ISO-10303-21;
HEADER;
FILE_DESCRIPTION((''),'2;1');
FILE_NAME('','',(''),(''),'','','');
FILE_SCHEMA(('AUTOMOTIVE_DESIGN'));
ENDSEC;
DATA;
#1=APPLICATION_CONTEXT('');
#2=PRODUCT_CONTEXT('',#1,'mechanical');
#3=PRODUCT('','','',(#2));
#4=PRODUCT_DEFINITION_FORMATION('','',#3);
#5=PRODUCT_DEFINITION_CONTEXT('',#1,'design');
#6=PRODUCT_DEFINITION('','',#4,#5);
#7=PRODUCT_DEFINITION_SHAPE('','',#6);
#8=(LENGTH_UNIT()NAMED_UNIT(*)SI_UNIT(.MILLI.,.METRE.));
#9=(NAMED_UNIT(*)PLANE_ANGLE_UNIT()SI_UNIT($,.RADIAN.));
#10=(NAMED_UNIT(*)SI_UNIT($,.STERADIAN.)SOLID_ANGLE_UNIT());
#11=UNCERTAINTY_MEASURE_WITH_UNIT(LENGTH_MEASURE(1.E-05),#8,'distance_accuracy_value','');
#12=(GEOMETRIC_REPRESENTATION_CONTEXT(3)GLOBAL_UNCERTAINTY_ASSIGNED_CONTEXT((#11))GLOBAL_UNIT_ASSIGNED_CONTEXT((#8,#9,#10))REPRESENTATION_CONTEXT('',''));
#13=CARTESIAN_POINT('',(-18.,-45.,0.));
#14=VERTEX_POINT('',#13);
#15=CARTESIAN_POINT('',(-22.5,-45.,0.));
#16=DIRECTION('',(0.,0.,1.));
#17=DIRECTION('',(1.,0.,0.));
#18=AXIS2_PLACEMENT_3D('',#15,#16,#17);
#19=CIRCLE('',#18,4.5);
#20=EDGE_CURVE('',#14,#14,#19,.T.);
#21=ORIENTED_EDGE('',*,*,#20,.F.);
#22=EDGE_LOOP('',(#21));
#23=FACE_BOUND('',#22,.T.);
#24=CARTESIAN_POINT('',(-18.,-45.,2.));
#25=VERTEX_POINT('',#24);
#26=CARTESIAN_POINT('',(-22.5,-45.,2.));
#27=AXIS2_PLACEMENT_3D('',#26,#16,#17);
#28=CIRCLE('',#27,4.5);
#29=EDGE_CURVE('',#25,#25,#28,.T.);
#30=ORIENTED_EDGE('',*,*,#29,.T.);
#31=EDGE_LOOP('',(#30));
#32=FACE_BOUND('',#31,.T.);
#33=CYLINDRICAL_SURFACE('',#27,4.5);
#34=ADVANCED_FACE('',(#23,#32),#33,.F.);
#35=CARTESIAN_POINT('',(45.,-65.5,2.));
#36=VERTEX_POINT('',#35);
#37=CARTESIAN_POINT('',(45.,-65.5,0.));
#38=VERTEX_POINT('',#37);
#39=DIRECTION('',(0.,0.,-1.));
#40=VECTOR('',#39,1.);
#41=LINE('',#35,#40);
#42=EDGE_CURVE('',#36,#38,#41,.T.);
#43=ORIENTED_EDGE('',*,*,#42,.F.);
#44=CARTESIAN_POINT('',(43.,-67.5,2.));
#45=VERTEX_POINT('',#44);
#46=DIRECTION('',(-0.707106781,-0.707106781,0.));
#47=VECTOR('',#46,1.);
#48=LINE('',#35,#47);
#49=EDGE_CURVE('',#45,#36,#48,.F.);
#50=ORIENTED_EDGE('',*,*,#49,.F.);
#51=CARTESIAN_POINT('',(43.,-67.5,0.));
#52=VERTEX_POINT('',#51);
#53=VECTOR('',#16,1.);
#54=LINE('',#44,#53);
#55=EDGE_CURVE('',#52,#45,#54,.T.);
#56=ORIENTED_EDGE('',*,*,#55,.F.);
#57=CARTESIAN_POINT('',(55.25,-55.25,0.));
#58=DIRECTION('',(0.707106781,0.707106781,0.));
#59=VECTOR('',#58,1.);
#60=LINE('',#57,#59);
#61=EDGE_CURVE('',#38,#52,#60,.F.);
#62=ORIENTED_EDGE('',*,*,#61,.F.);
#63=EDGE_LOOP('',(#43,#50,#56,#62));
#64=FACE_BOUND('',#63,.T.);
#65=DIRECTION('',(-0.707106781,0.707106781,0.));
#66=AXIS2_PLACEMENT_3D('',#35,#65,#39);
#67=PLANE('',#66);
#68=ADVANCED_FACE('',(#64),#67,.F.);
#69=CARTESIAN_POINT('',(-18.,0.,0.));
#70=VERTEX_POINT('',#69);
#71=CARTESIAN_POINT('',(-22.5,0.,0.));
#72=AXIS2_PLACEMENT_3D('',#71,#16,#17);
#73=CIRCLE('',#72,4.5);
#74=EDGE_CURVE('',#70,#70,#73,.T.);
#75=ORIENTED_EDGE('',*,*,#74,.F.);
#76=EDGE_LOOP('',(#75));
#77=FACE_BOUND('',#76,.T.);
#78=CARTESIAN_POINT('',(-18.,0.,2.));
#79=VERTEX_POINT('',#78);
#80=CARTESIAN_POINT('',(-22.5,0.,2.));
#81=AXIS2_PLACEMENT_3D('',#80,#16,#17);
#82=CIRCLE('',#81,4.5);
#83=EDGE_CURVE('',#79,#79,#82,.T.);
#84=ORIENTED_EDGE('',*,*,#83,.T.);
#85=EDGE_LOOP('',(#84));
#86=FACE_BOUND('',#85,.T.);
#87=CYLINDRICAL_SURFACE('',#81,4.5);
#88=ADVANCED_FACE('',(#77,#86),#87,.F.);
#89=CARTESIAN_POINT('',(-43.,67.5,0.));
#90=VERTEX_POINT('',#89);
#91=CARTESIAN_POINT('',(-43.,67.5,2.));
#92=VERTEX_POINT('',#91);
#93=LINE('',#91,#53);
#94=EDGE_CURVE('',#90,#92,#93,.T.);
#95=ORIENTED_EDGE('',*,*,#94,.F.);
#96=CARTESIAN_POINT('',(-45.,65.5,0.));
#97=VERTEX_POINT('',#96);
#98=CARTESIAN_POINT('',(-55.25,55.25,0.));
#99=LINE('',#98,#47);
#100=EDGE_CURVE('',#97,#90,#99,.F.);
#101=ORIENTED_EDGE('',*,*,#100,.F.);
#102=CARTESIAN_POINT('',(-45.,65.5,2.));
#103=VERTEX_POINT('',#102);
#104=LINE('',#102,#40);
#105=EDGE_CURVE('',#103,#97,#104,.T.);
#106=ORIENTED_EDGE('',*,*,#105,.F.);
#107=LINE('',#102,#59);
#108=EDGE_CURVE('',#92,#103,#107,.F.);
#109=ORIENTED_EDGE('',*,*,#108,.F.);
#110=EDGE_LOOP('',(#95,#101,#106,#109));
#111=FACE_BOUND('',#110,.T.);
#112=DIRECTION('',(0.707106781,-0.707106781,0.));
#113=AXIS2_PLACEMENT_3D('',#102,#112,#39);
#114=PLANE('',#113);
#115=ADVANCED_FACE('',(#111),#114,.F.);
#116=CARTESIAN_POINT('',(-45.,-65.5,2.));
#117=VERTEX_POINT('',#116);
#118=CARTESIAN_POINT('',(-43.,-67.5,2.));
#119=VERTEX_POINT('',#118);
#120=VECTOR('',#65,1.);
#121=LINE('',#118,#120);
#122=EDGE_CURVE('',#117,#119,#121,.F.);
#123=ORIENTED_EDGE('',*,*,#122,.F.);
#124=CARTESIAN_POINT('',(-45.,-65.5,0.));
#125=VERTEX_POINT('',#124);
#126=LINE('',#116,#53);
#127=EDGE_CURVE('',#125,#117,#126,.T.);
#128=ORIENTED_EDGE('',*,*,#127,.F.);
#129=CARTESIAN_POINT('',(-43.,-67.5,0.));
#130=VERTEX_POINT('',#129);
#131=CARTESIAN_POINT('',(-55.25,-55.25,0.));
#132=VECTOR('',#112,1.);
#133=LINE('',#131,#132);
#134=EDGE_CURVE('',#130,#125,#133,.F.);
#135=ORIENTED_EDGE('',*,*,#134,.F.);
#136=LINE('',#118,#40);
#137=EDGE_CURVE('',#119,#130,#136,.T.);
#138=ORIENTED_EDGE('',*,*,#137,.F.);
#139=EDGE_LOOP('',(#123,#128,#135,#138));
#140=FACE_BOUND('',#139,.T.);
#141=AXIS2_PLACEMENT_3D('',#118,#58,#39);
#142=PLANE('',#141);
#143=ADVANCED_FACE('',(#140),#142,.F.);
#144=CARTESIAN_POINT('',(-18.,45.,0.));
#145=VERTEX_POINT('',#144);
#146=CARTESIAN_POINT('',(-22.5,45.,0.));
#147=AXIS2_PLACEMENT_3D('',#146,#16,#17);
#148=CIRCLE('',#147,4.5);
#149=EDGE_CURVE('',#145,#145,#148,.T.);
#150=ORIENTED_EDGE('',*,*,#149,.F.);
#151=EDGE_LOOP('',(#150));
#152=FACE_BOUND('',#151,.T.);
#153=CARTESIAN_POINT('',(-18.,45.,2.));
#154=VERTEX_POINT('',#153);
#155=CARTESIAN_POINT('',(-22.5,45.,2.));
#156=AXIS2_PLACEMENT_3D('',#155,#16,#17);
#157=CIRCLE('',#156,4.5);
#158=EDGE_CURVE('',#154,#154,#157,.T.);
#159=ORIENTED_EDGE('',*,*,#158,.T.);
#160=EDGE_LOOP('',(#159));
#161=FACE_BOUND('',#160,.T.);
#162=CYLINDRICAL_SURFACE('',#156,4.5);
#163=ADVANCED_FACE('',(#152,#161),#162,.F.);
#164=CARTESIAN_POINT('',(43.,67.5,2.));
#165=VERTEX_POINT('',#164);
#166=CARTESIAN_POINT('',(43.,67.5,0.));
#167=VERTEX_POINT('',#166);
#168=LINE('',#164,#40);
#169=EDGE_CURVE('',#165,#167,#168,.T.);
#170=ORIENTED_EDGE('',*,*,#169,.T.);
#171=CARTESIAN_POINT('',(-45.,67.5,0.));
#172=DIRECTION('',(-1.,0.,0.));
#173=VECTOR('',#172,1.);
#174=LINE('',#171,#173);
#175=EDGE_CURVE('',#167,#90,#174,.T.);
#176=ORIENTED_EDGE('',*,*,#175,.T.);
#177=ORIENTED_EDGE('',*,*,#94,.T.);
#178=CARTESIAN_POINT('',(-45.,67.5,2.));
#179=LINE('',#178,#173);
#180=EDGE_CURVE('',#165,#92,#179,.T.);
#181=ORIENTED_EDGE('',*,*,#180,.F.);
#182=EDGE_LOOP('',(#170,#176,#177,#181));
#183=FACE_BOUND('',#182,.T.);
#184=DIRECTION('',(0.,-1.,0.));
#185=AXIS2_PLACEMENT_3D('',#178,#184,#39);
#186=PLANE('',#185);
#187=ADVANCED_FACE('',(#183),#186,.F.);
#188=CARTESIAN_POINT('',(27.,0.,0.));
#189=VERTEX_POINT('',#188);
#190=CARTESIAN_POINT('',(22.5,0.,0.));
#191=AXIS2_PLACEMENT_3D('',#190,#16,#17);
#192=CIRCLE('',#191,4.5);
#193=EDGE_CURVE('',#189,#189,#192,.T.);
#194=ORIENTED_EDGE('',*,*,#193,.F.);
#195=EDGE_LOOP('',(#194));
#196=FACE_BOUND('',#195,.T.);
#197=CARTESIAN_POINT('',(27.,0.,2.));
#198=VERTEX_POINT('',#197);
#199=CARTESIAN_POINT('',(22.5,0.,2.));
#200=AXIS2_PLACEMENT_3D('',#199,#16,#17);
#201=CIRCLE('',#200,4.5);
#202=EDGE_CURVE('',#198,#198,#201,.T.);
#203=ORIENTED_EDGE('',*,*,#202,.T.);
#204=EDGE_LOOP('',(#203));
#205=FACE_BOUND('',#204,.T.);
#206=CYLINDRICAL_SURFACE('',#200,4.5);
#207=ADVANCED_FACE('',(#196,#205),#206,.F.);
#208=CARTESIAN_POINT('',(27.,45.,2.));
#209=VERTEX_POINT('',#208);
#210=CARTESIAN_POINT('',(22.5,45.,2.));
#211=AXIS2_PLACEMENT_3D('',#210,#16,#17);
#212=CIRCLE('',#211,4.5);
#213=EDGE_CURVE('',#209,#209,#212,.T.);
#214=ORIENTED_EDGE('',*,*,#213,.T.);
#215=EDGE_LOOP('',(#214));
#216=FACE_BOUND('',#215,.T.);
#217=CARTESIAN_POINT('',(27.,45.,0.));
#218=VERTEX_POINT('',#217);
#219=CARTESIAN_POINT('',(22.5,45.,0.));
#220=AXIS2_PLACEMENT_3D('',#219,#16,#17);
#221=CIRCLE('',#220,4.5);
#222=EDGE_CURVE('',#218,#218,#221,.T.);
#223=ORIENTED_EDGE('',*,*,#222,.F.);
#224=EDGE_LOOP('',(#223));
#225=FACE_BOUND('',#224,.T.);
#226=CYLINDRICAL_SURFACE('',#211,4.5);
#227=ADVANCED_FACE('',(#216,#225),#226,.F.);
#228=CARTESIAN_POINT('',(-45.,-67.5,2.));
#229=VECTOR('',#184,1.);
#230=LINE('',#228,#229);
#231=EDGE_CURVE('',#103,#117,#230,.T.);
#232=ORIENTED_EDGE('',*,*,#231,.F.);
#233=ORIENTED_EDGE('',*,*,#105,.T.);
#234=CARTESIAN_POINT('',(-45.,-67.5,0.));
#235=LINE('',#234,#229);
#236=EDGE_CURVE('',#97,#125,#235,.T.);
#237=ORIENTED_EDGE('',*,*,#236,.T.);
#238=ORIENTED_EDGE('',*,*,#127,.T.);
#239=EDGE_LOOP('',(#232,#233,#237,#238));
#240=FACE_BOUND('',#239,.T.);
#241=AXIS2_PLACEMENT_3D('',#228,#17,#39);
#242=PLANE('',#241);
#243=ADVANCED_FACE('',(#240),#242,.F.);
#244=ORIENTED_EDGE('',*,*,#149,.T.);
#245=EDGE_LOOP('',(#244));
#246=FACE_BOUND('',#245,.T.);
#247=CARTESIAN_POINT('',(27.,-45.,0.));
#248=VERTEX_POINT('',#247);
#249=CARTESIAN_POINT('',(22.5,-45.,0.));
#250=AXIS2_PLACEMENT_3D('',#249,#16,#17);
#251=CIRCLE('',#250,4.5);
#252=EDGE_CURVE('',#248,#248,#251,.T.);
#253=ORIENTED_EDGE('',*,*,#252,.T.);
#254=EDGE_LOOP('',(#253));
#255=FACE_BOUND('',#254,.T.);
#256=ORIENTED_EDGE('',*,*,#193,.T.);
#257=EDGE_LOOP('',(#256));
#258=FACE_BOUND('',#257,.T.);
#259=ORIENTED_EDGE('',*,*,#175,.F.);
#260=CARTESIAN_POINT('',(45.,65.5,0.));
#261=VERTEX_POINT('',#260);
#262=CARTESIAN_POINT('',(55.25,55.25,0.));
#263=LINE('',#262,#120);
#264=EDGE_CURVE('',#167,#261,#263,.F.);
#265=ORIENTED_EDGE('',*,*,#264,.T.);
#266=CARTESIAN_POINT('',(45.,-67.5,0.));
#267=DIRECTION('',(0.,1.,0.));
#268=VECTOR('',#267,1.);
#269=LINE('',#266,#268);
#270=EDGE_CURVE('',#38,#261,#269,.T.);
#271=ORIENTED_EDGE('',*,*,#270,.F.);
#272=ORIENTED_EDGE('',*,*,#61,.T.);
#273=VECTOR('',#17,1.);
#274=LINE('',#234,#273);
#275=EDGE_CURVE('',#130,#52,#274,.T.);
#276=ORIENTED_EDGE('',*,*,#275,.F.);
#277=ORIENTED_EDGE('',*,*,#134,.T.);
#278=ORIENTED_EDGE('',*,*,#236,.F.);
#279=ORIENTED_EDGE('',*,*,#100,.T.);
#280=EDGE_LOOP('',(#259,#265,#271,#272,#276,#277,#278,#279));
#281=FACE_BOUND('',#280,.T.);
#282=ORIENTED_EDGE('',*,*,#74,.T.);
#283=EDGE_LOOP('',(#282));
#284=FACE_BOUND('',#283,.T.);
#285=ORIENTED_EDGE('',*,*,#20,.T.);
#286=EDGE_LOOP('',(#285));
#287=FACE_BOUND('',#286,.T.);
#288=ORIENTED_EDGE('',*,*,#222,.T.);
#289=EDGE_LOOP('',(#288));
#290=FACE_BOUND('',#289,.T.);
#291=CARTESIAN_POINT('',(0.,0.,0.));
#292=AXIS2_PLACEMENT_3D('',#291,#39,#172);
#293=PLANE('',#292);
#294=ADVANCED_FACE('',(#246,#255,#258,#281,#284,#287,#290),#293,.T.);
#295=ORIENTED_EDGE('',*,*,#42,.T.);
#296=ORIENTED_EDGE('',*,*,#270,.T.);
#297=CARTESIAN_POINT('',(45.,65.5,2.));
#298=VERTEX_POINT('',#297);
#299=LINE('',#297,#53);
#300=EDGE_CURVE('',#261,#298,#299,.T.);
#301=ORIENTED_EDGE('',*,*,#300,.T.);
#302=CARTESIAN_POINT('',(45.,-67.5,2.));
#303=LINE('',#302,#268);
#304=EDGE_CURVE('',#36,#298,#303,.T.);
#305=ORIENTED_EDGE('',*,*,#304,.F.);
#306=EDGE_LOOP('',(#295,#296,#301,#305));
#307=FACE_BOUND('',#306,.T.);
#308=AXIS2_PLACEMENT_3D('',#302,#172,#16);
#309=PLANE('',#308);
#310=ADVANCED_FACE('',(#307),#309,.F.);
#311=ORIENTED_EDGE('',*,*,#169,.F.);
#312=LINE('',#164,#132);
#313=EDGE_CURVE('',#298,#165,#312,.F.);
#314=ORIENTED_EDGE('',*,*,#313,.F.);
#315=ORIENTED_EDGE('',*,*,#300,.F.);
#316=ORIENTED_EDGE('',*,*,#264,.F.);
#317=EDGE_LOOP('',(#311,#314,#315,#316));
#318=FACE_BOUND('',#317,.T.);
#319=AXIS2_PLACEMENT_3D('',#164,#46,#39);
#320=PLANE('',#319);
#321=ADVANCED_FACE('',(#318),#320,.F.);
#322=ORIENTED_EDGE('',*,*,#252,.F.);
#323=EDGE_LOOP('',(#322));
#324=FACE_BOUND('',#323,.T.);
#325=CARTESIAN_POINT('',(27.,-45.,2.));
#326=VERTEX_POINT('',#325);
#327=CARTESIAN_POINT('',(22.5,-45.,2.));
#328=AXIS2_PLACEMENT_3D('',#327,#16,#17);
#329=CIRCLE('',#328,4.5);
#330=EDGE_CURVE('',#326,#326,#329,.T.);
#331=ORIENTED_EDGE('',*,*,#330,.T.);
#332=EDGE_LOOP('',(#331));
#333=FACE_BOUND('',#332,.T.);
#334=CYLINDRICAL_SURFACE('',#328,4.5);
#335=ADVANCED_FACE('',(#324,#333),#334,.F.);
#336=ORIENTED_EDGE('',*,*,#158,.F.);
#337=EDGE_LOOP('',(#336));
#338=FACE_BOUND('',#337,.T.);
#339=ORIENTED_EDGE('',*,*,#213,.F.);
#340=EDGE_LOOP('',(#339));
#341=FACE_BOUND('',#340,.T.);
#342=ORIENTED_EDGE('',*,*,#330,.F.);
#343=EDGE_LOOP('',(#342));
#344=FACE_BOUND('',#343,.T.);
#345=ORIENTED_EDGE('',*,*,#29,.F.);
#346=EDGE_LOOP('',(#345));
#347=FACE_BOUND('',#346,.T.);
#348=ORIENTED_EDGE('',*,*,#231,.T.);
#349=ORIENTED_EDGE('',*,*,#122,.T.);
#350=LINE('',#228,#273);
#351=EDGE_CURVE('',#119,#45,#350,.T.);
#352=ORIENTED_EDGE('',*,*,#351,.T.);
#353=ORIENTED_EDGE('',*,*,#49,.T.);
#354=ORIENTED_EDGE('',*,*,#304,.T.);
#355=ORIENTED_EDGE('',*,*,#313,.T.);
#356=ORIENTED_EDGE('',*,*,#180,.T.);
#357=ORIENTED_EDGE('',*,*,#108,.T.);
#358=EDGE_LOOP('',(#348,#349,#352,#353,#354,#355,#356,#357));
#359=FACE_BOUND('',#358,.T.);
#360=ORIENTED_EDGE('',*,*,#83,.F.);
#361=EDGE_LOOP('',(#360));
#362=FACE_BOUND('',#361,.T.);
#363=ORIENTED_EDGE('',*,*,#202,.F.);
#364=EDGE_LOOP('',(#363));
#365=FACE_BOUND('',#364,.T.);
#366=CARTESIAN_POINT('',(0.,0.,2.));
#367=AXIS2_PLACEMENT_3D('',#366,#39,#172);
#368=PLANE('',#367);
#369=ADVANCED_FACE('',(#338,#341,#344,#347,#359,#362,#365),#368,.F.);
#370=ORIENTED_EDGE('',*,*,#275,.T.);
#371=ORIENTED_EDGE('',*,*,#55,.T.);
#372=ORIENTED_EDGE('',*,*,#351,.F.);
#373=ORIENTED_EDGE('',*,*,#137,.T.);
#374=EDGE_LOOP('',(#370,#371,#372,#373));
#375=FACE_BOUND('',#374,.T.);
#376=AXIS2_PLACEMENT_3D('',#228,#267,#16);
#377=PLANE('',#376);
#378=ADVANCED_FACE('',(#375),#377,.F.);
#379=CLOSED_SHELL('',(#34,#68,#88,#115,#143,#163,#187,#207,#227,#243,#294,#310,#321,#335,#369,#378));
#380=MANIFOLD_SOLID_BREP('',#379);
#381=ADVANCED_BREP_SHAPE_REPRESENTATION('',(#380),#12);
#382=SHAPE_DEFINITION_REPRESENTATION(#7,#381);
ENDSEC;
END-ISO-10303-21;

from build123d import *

# Parameters (mm, degrees)
SKETCH_1_W        = 90
SKETCH_1_H        = 135
EXTRUDE_1_DEPTH   = 2
CHAMFER_1_SIZE    = 2
HOLE_WIZARD_M81_D = 9


with BuildPart() as part:
    # Эскиз1 → Бобышка-Вытянуть1 (new body)
    with BuildSketch(Plane.XY):
        Rectangle(SKETCH_1_W, SKETCH_1_H)
    extrude(amount=EXTRUDE_1_DEPTH)

    # Фаска1
    chamfer_1_edges = [part.edges().sort_by_distance(p)[0] for p in [
        (45, -67.5, 1),
        (-45, -67.5, 1),
        (-45, 67.5, 1),
        (45, 67.5, 1),
    ]]
    chamfer(chamfer_1_edges, length=CHAMFER_1_SIZE)

    # Отверстие с зазором M81 (through all)
    with Locations(Plane.XY.offset(2)):
        with Locations((-22.5, 45), (22.5, 45), (22.5, 0), (-22.5, 0), (-22.5, -45), (22.5, -45)):
            Hole(HOLE_WIZARD_M81_D / 2)


solid = part.part
